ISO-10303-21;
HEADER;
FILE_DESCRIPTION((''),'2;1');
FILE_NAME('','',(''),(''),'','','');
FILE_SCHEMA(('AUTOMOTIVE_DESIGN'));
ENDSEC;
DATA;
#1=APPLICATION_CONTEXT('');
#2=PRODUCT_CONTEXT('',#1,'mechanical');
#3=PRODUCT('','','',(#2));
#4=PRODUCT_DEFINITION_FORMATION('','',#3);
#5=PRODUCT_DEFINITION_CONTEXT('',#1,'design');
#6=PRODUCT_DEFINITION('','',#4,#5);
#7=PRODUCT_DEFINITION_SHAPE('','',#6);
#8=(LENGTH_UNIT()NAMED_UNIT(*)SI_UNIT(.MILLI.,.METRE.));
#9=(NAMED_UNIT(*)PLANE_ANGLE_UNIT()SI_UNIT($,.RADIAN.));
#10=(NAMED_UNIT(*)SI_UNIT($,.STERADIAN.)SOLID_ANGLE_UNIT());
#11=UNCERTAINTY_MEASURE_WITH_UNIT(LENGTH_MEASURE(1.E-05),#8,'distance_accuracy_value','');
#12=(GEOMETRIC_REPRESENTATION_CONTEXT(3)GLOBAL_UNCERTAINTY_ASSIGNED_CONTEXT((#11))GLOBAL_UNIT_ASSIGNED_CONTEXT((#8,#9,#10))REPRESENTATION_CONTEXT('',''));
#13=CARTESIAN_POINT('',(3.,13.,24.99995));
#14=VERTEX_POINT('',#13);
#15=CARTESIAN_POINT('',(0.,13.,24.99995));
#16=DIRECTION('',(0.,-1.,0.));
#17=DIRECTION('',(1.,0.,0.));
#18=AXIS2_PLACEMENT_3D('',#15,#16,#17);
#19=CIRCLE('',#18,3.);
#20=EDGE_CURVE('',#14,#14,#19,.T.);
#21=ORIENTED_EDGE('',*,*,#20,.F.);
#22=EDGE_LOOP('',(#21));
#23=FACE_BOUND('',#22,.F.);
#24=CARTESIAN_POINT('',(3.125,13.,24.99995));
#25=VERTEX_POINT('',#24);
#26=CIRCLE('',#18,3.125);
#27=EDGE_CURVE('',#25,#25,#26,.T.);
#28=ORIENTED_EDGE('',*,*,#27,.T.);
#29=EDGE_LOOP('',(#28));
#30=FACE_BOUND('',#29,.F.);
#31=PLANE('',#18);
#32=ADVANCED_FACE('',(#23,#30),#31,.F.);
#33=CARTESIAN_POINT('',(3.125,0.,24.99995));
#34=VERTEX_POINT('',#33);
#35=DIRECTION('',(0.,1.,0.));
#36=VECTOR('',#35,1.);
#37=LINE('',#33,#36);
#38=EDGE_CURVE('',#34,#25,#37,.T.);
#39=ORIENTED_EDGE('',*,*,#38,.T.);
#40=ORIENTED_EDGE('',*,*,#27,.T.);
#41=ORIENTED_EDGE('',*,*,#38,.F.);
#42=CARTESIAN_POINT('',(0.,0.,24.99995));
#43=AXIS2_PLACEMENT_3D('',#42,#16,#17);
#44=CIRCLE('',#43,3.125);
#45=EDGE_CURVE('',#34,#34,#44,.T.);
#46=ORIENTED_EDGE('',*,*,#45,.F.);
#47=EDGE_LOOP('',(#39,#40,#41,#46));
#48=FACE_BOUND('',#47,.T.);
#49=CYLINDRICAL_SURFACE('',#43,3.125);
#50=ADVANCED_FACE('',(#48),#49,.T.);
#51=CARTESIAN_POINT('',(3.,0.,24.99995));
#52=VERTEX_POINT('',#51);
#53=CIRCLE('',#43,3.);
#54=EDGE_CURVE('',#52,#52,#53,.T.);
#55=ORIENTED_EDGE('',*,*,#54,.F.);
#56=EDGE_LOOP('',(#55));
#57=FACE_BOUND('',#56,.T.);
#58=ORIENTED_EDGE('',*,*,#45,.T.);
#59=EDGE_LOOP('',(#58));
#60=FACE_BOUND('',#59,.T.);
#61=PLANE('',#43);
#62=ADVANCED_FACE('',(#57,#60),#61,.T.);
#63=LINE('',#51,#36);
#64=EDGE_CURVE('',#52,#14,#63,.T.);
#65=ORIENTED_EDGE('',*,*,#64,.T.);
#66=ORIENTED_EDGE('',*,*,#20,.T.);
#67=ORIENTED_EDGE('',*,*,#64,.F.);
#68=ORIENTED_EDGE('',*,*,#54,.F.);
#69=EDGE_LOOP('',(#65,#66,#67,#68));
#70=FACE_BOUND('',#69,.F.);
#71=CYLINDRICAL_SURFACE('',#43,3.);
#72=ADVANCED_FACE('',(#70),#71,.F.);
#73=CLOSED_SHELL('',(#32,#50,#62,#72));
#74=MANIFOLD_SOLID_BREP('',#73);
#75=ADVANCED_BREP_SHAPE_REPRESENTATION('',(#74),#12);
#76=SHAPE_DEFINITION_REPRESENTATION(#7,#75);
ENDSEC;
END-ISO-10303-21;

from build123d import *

# Parameters (mm, degrees)
SKETCH1_R      = 3.125
SKETCH1_R_2    = 3
EXTRUDE1_DEPTH = 13


with BuildPart() as part:
    # Sketch1 → Extrude1 (new body)
    with BuildSketch(Plane.XZ):
        with Locations((0, 24.99995)):
            Circle(SKETCH1_R)
        with Locations((0, 24.99995)):
            Circle(SKETCH1_R_2, mode=Mode.SUBTRACT)
    extrude(amount=-EXTRUDE1_DEPTH)


solid = part.part
